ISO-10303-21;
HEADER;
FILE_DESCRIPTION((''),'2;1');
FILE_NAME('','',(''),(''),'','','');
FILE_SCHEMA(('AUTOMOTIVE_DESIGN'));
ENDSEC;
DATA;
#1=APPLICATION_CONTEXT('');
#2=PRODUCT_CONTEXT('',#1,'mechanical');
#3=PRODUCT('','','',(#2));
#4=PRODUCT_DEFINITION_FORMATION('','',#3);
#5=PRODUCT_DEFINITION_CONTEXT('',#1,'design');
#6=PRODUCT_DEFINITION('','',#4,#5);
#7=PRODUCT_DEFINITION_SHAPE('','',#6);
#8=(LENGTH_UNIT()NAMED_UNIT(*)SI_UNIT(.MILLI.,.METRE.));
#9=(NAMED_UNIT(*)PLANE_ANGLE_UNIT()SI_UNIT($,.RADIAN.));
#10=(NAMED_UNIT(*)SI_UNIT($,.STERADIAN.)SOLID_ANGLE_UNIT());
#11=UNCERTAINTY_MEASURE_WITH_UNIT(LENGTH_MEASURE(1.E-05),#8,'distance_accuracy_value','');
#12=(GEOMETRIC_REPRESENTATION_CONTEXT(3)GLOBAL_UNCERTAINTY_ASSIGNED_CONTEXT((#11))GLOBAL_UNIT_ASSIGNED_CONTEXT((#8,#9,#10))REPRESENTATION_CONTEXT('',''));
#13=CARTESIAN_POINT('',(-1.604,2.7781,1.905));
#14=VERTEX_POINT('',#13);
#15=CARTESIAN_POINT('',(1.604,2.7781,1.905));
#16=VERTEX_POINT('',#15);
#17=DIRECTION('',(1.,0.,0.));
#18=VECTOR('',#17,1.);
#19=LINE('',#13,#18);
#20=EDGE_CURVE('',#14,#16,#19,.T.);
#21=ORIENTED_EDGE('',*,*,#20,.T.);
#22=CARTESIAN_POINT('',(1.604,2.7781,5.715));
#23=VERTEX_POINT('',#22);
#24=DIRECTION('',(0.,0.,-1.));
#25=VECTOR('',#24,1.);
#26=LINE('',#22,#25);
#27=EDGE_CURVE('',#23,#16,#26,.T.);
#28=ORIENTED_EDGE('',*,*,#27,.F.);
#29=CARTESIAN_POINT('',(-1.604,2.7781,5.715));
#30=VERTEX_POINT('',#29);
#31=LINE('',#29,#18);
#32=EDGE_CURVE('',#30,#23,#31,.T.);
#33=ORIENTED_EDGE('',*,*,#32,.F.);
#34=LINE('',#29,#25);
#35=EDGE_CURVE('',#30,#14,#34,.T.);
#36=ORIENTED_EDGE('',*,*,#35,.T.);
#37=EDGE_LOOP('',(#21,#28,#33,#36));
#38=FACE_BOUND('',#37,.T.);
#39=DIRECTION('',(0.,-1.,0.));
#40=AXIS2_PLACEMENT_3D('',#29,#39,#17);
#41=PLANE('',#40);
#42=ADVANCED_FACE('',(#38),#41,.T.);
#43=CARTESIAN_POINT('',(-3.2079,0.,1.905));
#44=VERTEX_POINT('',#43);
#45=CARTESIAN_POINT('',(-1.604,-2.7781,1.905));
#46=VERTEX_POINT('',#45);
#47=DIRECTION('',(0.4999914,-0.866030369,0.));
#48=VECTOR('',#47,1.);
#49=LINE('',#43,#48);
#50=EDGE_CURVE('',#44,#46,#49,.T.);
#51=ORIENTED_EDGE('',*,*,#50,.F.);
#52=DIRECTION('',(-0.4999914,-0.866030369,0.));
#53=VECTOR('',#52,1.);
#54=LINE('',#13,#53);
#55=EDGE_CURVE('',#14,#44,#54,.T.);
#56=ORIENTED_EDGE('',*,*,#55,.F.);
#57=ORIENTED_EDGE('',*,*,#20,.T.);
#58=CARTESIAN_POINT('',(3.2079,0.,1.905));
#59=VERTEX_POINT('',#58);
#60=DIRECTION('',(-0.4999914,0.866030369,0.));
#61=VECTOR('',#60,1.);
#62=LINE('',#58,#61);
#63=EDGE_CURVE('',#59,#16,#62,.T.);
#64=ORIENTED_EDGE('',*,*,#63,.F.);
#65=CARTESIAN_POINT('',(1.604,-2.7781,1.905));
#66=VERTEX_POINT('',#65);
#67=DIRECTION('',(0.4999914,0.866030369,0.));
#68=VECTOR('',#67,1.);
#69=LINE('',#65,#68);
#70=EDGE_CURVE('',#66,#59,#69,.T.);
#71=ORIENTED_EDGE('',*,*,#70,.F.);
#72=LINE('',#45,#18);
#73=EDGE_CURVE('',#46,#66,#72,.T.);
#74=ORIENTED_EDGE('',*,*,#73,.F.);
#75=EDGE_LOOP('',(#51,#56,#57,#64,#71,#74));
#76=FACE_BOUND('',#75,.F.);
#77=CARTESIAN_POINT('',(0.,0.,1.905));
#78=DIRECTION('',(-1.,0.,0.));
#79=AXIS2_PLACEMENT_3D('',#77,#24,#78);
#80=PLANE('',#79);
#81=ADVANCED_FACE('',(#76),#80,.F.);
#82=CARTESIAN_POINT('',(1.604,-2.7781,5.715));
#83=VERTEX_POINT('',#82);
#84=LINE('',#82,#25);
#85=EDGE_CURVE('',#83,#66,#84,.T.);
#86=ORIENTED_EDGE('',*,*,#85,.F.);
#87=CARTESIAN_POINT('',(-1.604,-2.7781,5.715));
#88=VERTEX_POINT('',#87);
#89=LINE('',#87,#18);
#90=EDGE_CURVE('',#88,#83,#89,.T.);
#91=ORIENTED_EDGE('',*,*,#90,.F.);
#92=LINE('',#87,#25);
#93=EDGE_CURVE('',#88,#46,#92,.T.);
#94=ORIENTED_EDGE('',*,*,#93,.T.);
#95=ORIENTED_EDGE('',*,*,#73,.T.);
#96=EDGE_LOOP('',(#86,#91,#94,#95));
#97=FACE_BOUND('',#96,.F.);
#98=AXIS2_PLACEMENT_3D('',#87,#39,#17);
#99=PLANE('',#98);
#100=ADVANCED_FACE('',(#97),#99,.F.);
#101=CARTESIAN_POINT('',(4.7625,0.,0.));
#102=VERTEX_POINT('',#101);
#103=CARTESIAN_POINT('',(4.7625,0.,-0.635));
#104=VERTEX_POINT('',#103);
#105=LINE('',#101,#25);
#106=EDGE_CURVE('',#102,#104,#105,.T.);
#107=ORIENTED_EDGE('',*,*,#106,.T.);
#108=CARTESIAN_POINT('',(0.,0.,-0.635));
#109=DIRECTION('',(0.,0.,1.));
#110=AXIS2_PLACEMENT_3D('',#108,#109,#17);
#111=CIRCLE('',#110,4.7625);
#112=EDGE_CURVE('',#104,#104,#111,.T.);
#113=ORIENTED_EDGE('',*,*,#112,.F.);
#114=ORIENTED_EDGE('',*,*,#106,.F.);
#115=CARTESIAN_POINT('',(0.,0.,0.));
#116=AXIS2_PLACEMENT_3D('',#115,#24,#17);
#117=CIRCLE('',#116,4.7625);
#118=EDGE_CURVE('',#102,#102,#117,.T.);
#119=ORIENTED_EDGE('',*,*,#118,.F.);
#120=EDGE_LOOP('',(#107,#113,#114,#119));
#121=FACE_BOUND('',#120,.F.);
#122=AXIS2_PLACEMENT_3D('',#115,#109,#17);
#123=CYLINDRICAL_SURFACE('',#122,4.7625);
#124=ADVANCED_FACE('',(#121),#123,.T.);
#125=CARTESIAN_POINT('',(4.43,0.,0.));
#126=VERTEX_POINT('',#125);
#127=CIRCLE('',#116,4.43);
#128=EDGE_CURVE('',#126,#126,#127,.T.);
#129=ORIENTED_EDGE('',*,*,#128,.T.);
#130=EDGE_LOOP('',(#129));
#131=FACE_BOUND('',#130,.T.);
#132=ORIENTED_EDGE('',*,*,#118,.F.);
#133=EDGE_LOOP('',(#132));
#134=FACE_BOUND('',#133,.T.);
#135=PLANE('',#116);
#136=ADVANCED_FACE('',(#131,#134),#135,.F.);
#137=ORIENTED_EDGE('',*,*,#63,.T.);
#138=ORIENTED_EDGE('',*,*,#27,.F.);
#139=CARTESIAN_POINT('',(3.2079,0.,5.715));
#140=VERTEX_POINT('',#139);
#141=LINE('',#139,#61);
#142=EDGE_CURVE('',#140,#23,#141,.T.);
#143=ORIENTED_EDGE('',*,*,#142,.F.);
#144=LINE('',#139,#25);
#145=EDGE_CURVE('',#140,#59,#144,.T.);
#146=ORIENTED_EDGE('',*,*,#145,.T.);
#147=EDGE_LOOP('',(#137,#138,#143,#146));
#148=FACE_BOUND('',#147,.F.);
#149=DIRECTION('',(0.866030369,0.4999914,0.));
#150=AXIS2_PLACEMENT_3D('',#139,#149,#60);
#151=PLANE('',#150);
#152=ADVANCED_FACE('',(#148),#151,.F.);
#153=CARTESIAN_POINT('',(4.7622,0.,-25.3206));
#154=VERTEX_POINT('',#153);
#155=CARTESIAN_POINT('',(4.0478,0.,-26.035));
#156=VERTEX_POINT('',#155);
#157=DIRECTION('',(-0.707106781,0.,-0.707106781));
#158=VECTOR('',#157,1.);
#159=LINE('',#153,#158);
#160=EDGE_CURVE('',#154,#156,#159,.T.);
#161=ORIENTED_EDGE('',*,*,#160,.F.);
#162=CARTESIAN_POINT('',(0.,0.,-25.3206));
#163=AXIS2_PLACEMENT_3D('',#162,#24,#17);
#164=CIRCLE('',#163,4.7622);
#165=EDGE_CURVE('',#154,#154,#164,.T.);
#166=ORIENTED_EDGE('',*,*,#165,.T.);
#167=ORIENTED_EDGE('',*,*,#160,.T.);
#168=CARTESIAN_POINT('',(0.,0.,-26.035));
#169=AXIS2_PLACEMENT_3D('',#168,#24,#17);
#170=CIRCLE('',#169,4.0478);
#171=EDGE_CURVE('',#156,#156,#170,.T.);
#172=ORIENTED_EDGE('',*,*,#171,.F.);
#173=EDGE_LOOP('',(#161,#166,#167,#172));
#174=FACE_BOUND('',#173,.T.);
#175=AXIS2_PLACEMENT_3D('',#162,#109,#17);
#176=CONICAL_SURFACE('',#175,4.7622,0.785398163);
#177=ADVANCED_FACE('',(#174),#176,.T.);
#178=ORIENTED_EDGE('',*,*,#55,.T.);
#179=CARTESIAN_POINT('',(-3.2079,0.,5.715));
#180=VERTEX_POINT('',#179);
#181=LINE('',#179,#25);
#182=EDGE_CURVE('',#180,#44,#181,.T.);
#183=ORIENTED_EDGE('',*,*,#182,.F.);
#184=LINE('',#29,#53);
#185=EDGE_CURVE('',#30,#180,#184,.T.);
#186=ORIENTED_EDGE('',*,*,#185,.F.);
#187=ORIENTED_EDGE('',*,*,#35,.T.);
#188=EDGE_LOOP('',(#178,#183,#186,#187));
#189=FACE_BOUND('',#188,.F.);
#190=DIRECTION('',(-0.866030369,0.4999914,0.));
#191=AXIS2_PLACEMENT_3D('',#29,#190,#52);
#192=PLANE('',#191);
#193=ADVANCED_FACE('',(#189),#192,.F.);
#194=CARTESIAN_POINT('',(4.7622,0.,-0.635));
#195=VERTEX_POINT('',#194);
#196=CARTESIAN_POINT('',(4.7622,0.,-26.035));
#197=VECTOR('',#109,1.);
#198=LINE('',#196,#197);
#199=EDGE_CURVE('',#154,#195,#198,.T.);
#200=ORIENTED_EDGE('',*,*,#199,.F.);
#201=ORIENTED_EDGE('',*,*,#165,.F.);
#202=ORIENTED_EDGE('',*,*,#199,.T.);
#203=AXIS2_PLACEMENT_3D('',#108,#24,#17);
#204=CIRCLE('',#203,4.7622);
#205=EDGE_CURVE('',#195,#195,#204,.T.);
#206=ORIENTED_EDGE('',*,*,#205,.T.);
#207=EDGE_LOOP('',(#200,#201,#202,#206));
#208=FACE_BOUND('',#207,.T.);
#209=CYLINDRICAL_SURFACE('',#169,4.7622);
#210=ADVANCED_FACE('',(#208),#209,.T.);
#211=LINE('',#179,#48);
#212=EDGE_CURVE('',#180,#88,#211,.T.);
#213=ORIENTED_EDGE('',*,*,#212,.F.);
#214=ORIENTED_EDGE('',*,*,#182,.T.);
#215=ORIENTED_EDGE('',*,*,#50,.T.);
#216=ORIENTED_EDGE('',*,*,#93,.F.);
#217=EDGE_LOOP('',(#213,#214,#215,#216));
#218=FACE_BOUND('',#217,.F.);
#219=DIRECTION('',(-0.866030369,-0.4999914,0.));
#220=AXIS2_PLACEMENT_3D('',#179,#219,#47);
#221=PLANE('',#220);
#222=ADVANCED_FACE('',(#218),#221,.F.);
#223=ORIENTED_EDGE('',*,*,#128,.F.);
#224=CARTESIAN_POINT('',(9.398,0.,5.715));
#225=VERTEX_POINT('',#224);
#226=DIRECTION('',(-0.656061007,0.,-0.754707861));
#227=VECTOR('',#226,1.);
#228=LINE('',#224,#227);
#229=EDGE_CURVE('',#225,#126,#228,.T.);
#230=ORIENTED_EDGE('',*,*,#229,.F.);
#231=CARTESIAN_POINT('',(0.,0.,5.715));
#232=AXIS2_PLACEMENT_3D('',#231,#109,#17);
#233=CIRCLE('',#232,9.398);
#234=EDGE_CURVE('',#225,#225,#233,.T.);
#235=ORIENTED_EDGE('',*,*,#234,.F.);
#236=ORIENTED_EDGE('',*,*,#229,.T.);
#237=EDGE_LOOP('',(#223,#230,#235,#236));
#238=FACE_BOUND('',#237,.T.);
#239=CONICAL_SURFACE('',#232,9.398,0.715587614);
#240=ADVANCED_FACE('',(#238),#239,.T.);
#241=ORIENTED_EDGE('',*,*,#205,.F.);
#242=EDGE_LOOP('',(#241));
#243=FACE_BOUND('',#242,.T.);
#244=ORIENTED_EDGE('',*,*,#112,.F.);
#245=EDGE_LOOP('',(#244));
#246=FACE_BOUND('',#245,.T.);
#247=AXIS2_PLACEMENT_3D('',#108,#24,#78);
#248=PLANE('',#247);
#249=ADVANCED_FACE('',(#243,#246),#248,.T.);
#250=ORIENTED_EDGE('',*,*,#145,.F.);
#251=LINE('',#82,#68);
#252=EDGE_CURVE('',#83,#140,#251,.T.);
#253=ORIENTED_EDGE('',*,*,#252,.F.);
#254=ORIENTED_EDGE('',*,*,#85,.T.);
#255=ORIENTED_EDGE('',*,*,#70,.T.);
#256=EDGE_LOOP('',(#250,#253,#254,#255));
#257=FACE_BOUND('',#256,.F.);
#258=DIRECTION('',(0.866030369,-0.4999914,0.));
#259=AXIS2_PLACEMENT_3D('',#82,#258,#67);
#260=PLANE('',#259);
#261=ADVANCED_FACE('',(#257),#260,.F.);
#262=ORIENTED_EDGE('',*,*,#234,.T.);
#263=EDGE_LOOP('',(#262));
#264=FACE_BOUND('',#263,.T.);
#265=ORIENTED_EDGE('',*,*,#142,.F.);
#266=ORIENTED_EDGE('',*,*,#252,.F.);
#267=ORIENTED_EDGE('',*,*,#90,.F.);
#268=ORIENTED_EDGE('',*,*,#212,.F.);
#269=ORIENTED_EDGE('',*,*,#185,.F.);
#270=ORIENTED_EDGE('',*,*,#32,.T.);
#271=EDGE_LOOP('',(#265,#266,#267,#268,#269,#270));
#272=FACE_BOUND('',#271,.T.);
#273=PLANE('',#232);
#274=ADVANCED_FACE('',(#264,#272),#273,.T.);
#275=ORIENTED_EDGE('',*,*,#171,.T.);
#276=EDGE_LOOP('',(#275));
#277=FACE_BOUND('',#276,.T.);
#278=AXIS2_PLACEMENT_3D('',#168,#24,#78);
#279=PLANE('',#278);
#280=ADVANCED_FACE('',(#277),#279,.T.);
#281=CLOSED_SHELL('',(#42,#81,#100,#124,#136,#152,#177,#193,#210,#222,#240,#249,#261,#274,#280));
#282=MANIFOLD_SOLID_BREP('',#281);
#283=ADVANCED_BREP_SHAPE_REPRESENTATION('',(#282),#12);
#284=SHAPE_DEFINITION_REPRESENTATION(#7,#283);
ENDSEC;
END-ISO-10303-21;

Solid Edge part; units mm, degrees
sketch "Sketch1" plane through (0, 0, 0) normal (0, 0, 1) x (1, 0, 0)
  circle A0 centre (0, 0) radius 9.398
  dimension "D1" = 18.796
extrude "Protrusion1" add sketch "Sketch1" along normal blind 5.715
sketch "Sketch2" plane through (0, 0, 0) normal (0, 0, -1) x (1, 0, 0)
  circle A0 centre (0, 0) radius 4.7625
extrude "Protrusion2" add sketch "Sketch2" along normal blind 26.035
sketch "Sketch3" plane through (0, 0, -26.035) normal (0, 0, -1) x (1, 0, 0)
  circle A0 centre (0, 0) radius 4.7622
extrude "Cutout1" cut sketch "Sketch3" against normal blind 25.4 flip side to cut
chamfer "Chamfer_1" distance 0.7144 angle 45 1 edges at (-4.7622, 0, -26.035)
sketch "Sketch4" plane through (0, 0, 5.715) normal (0, 0, 1) x (1, 0, 0)
  line L0 (-1.604, 2.7781) -> (1.604, 2.7781)
  line L1 (3.2079, 0) -> (1.604, 2.7781)
  line L2 (1.604, -2.7781) -> (3.2079, 0)
  line L3 (-1.604, -2.7781) -> (1.604, -2.7781)
  line L4 (-3.2079, 0) -> (-1.604, -2.7781)
  line L5 (-1.604, 2.7781) -> (-3.2079, 0)
  dimension "D1" = 5.5562
extrude "Cutout2" cut sketch "Sketch4" against normal blind 3.81
sketch "Sketch5" plane through (0, 0, 0) normal (0, -1, 0) x (1, 0, 0)
  line L0 (9.398, 5.715) -> (4.43, 0)
  line L1 (4.43, 0) -> (9.398, 0)
  line L2 (9.398, 0) -> (9.398, 5.715)
revolve "RevolvedCutout1" cut sketch "Sketch5" angle 360 about axis through (0, 0, 14.0017) along (0, 0, -1)
properties part number "24100389"
